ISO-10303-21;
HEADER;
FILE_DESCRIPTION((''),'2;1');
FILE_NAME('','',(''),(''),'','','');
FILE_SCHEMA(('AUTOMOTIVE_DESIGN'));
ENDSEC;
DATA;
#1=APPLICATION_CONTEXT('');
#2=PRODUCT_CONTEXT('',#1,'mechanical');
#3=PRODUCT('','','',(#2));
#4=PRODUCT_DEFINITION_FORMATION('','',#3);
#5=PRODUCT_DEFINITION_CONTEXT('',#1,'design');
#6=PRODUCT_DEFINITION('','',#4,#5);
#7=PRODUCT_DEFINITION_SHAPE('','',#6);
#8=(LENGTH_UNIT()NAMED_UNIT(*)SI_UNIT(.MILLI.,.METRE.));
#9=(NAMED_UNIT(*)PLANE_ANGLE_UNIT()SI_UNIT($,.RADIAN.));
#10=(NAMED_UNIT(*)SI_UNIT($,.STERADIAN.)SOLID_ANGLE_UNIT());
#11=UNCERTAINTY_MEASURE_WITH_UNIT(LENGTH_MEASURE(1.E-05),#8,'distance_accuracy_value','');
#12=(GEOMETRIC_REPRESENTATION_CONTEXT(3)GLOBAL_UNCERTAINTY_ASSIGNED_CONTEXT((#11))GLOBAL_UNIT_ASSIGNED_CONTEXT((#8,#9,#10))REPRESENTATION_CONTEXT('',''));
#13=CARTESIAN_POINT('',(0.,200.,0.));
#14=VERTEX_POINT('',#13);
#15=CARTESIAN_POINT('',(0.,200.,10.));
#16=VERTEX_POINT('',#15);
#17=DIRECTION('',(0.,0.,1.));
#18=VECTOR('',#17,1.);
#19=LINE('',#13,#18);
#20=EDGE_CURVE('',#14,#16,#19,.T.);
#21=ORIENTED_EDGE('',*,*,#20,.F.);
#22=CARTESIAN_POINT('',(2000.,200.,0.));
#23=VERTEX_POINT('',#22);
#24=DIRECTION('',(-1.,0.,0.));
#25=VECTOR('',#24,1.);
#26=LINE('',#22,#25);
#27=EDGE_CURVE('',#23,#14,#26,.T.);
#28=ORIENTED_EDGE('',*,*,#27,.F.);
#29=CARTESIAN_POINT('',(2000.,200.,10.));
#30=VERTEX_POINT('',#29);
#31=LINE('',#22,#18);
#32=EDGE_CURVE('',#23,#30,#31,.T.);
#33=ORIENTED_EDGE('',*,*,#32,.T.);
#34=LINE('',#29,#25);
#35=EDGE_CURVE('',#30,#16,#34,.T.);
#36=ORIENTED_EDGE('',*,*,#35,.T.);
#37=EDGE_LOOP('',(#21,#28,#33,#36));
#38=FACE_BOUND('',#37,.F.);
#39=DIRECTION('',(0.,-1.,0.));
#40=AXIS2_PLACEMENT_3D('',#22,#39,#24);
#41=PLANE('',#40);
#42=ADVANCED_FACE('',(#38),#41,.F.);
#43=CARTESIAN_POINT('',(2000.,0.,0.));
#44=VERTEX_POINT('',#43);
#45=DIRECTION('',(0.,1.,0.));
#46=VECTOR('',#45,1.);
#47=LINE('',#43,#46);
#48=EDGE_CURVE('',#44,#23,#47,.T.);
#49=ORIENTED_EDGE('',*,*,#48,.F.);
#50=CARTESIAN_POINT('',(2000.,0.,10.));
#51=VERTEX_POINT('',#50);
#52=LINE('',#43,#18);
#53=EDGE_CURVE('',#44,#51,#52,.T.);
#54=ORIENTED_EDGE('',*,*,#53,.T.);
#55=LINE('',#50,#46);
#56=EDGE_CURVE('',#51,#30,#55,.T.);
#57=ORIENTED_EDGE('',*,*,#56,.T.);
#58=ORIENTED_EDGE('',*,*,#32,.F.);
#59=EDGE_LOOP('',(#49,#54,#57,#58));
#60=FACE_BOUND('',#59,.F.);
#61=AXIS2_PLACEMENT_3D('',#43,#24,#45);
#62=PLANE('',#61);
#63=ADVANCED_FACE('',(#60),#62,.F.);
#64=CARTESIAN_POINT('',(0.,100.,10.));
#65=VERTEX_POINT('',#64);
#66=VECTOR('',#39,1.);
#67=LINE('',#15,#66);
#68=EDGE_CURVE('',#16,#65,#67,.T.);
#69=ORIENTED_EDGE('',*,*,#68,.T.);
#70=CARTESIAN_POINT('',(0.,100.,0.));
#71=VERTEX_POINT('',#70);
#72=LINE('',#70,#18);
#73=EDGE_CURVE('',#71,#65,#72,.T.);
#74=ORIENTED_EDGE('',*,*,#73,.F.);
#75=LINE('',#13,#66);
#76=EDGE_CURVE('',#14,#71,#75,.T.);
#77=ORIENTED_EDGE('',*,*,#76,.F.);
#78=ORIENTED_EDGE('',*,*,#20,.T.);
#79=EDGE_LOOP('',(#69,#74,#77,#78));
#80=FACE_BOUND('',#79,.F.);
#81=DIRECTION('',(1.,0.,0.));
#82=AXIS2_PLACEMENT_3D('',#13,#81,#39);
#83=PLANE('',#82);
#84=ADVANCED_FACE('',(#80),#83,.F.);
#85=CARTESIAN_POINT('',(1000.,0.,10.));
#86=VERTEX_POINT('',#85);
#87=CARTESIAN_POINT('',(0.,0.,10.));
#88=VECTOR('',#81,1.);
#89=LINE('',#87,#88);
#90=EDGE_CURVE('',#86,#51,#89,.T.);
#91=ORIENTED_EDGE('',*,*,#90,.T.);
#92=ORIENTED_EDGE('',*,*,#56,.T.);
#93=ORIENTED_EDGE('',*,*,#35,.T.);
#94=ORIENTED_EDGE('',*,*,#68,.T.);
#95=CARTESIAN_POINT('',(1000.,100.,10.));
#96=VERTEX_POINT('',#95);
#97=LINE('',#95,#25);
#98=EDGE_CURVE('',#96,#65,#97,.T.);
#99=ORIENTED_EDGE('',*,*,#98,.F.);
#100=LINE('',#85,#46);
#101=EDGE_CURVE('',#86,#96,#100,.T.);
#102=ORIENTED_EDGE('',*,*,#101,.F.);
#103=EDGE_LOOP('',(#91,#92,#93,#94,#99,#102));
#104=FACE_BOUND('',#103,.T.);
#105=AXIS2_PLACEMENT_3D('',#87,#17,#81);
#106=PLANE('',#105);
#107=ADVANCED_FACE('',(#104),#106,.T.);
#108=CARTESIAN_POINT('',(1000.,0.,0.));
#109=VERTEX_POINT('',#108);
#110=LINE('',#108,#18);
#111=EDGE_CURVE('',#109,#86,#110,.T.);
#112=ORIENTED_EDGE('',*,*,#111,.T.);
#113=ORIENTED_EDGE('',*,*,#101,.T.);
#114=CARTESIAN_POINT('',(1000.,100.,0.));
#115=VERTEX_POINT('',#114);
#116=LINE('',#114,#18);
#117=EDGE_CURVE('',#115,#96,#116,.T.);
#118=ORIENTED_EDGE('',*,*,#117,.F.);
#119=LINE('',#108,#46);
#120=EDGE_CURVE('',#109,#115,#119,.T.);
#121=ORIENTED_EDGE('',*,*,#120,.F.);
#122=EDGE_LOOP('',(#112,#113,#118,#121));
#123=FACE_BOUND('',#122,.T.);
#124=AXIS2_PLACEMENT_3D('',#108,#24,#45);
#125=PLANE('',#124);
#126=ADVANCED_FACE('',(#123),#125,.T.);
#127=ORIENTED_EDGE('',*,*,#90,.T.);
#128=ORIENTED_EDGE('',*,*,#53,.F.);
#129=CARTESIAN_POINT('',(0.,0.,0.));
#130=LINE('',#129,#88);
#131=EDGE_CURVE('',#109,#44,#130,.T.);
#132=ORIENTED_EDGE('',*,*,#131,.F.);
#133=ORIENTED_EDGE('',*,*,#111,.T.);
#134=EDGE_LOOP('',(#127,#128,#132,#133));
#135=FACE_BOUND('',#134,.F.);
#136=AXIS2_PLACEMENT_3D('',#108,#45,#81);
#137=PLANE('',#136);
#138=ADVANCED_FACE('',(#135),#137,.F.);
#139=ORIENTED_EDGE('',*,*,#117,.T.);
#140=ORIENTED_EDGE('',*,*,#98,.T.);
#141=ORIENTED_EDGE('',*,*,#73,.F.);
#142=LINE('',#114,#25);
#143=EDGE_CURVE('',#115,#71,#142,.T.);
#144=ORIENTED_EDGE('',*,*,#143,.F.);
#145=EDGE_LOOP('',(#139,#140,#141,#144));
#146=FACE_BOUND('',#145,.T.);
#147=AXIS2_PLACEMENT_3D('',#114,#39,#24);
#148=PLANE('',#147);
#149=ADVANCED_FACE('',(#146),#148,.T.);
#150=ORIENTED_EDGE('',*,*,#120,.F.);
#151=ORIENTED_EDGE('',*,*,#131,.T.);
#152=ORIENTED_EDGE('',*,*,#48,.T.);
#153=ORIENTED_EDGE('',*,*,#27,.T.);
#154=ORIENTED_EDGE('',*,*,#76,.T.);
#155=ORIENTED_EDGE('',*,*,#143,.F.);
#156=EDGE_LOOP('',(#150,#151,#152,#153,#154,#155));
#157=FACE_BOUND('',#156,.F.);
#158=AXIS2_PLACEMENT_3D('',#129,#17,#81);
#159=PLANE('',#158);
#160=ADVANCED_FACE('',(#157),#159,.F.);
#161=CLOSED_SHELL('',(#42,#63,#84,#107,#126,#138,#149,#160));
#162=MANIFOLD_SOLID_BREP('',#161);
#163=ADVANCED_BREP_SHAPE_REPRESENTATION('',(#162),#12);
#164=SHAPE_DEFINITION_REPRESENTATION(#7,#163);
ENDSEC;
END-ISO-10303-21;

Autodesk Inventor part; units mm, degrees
ref_plane "YZ Plane" through (0, 0, 0) normal (1, 0, 0) x (0, 1, 0)
ref_plane "XZ Plane" through (0, 0, 0) normal (0, 1, 0) x (-1, 0, 0)
ref_plane "XY Plane" through (0, 0, 0) normal (0, 0, 1) x (1, 0, 0)
sketch "Boceto2" plane through (0, 0, 0) normal (0, 0, 1) x (1, 0, 0)
  line L0 (0, 0) -> (2000, 0)
  line L1 (2000, 0) -> (2000, 200)
  line L2 (2000, 200) -> (0, 200)
  line L3 (0, 200) -> (0, 0)
  line L4 (0, 0) -> (1000, 0)
  line L5 (1000, 0) -> (1000, 100)
  line L6 (1000, 100) -> (0, 100)
  line L7 (0, 100) -> (0, 0)
  dimension "d0" = 2000
  dimension "d1" = 200
  dimension "d2" = 1000
  dimension "d3" = 100
extrude "Extrusión1" add sketch "Boceto2" along normal blind 10 contours L5 L6 L3 L2 L1 L0
properties part number "2D_Domain"
